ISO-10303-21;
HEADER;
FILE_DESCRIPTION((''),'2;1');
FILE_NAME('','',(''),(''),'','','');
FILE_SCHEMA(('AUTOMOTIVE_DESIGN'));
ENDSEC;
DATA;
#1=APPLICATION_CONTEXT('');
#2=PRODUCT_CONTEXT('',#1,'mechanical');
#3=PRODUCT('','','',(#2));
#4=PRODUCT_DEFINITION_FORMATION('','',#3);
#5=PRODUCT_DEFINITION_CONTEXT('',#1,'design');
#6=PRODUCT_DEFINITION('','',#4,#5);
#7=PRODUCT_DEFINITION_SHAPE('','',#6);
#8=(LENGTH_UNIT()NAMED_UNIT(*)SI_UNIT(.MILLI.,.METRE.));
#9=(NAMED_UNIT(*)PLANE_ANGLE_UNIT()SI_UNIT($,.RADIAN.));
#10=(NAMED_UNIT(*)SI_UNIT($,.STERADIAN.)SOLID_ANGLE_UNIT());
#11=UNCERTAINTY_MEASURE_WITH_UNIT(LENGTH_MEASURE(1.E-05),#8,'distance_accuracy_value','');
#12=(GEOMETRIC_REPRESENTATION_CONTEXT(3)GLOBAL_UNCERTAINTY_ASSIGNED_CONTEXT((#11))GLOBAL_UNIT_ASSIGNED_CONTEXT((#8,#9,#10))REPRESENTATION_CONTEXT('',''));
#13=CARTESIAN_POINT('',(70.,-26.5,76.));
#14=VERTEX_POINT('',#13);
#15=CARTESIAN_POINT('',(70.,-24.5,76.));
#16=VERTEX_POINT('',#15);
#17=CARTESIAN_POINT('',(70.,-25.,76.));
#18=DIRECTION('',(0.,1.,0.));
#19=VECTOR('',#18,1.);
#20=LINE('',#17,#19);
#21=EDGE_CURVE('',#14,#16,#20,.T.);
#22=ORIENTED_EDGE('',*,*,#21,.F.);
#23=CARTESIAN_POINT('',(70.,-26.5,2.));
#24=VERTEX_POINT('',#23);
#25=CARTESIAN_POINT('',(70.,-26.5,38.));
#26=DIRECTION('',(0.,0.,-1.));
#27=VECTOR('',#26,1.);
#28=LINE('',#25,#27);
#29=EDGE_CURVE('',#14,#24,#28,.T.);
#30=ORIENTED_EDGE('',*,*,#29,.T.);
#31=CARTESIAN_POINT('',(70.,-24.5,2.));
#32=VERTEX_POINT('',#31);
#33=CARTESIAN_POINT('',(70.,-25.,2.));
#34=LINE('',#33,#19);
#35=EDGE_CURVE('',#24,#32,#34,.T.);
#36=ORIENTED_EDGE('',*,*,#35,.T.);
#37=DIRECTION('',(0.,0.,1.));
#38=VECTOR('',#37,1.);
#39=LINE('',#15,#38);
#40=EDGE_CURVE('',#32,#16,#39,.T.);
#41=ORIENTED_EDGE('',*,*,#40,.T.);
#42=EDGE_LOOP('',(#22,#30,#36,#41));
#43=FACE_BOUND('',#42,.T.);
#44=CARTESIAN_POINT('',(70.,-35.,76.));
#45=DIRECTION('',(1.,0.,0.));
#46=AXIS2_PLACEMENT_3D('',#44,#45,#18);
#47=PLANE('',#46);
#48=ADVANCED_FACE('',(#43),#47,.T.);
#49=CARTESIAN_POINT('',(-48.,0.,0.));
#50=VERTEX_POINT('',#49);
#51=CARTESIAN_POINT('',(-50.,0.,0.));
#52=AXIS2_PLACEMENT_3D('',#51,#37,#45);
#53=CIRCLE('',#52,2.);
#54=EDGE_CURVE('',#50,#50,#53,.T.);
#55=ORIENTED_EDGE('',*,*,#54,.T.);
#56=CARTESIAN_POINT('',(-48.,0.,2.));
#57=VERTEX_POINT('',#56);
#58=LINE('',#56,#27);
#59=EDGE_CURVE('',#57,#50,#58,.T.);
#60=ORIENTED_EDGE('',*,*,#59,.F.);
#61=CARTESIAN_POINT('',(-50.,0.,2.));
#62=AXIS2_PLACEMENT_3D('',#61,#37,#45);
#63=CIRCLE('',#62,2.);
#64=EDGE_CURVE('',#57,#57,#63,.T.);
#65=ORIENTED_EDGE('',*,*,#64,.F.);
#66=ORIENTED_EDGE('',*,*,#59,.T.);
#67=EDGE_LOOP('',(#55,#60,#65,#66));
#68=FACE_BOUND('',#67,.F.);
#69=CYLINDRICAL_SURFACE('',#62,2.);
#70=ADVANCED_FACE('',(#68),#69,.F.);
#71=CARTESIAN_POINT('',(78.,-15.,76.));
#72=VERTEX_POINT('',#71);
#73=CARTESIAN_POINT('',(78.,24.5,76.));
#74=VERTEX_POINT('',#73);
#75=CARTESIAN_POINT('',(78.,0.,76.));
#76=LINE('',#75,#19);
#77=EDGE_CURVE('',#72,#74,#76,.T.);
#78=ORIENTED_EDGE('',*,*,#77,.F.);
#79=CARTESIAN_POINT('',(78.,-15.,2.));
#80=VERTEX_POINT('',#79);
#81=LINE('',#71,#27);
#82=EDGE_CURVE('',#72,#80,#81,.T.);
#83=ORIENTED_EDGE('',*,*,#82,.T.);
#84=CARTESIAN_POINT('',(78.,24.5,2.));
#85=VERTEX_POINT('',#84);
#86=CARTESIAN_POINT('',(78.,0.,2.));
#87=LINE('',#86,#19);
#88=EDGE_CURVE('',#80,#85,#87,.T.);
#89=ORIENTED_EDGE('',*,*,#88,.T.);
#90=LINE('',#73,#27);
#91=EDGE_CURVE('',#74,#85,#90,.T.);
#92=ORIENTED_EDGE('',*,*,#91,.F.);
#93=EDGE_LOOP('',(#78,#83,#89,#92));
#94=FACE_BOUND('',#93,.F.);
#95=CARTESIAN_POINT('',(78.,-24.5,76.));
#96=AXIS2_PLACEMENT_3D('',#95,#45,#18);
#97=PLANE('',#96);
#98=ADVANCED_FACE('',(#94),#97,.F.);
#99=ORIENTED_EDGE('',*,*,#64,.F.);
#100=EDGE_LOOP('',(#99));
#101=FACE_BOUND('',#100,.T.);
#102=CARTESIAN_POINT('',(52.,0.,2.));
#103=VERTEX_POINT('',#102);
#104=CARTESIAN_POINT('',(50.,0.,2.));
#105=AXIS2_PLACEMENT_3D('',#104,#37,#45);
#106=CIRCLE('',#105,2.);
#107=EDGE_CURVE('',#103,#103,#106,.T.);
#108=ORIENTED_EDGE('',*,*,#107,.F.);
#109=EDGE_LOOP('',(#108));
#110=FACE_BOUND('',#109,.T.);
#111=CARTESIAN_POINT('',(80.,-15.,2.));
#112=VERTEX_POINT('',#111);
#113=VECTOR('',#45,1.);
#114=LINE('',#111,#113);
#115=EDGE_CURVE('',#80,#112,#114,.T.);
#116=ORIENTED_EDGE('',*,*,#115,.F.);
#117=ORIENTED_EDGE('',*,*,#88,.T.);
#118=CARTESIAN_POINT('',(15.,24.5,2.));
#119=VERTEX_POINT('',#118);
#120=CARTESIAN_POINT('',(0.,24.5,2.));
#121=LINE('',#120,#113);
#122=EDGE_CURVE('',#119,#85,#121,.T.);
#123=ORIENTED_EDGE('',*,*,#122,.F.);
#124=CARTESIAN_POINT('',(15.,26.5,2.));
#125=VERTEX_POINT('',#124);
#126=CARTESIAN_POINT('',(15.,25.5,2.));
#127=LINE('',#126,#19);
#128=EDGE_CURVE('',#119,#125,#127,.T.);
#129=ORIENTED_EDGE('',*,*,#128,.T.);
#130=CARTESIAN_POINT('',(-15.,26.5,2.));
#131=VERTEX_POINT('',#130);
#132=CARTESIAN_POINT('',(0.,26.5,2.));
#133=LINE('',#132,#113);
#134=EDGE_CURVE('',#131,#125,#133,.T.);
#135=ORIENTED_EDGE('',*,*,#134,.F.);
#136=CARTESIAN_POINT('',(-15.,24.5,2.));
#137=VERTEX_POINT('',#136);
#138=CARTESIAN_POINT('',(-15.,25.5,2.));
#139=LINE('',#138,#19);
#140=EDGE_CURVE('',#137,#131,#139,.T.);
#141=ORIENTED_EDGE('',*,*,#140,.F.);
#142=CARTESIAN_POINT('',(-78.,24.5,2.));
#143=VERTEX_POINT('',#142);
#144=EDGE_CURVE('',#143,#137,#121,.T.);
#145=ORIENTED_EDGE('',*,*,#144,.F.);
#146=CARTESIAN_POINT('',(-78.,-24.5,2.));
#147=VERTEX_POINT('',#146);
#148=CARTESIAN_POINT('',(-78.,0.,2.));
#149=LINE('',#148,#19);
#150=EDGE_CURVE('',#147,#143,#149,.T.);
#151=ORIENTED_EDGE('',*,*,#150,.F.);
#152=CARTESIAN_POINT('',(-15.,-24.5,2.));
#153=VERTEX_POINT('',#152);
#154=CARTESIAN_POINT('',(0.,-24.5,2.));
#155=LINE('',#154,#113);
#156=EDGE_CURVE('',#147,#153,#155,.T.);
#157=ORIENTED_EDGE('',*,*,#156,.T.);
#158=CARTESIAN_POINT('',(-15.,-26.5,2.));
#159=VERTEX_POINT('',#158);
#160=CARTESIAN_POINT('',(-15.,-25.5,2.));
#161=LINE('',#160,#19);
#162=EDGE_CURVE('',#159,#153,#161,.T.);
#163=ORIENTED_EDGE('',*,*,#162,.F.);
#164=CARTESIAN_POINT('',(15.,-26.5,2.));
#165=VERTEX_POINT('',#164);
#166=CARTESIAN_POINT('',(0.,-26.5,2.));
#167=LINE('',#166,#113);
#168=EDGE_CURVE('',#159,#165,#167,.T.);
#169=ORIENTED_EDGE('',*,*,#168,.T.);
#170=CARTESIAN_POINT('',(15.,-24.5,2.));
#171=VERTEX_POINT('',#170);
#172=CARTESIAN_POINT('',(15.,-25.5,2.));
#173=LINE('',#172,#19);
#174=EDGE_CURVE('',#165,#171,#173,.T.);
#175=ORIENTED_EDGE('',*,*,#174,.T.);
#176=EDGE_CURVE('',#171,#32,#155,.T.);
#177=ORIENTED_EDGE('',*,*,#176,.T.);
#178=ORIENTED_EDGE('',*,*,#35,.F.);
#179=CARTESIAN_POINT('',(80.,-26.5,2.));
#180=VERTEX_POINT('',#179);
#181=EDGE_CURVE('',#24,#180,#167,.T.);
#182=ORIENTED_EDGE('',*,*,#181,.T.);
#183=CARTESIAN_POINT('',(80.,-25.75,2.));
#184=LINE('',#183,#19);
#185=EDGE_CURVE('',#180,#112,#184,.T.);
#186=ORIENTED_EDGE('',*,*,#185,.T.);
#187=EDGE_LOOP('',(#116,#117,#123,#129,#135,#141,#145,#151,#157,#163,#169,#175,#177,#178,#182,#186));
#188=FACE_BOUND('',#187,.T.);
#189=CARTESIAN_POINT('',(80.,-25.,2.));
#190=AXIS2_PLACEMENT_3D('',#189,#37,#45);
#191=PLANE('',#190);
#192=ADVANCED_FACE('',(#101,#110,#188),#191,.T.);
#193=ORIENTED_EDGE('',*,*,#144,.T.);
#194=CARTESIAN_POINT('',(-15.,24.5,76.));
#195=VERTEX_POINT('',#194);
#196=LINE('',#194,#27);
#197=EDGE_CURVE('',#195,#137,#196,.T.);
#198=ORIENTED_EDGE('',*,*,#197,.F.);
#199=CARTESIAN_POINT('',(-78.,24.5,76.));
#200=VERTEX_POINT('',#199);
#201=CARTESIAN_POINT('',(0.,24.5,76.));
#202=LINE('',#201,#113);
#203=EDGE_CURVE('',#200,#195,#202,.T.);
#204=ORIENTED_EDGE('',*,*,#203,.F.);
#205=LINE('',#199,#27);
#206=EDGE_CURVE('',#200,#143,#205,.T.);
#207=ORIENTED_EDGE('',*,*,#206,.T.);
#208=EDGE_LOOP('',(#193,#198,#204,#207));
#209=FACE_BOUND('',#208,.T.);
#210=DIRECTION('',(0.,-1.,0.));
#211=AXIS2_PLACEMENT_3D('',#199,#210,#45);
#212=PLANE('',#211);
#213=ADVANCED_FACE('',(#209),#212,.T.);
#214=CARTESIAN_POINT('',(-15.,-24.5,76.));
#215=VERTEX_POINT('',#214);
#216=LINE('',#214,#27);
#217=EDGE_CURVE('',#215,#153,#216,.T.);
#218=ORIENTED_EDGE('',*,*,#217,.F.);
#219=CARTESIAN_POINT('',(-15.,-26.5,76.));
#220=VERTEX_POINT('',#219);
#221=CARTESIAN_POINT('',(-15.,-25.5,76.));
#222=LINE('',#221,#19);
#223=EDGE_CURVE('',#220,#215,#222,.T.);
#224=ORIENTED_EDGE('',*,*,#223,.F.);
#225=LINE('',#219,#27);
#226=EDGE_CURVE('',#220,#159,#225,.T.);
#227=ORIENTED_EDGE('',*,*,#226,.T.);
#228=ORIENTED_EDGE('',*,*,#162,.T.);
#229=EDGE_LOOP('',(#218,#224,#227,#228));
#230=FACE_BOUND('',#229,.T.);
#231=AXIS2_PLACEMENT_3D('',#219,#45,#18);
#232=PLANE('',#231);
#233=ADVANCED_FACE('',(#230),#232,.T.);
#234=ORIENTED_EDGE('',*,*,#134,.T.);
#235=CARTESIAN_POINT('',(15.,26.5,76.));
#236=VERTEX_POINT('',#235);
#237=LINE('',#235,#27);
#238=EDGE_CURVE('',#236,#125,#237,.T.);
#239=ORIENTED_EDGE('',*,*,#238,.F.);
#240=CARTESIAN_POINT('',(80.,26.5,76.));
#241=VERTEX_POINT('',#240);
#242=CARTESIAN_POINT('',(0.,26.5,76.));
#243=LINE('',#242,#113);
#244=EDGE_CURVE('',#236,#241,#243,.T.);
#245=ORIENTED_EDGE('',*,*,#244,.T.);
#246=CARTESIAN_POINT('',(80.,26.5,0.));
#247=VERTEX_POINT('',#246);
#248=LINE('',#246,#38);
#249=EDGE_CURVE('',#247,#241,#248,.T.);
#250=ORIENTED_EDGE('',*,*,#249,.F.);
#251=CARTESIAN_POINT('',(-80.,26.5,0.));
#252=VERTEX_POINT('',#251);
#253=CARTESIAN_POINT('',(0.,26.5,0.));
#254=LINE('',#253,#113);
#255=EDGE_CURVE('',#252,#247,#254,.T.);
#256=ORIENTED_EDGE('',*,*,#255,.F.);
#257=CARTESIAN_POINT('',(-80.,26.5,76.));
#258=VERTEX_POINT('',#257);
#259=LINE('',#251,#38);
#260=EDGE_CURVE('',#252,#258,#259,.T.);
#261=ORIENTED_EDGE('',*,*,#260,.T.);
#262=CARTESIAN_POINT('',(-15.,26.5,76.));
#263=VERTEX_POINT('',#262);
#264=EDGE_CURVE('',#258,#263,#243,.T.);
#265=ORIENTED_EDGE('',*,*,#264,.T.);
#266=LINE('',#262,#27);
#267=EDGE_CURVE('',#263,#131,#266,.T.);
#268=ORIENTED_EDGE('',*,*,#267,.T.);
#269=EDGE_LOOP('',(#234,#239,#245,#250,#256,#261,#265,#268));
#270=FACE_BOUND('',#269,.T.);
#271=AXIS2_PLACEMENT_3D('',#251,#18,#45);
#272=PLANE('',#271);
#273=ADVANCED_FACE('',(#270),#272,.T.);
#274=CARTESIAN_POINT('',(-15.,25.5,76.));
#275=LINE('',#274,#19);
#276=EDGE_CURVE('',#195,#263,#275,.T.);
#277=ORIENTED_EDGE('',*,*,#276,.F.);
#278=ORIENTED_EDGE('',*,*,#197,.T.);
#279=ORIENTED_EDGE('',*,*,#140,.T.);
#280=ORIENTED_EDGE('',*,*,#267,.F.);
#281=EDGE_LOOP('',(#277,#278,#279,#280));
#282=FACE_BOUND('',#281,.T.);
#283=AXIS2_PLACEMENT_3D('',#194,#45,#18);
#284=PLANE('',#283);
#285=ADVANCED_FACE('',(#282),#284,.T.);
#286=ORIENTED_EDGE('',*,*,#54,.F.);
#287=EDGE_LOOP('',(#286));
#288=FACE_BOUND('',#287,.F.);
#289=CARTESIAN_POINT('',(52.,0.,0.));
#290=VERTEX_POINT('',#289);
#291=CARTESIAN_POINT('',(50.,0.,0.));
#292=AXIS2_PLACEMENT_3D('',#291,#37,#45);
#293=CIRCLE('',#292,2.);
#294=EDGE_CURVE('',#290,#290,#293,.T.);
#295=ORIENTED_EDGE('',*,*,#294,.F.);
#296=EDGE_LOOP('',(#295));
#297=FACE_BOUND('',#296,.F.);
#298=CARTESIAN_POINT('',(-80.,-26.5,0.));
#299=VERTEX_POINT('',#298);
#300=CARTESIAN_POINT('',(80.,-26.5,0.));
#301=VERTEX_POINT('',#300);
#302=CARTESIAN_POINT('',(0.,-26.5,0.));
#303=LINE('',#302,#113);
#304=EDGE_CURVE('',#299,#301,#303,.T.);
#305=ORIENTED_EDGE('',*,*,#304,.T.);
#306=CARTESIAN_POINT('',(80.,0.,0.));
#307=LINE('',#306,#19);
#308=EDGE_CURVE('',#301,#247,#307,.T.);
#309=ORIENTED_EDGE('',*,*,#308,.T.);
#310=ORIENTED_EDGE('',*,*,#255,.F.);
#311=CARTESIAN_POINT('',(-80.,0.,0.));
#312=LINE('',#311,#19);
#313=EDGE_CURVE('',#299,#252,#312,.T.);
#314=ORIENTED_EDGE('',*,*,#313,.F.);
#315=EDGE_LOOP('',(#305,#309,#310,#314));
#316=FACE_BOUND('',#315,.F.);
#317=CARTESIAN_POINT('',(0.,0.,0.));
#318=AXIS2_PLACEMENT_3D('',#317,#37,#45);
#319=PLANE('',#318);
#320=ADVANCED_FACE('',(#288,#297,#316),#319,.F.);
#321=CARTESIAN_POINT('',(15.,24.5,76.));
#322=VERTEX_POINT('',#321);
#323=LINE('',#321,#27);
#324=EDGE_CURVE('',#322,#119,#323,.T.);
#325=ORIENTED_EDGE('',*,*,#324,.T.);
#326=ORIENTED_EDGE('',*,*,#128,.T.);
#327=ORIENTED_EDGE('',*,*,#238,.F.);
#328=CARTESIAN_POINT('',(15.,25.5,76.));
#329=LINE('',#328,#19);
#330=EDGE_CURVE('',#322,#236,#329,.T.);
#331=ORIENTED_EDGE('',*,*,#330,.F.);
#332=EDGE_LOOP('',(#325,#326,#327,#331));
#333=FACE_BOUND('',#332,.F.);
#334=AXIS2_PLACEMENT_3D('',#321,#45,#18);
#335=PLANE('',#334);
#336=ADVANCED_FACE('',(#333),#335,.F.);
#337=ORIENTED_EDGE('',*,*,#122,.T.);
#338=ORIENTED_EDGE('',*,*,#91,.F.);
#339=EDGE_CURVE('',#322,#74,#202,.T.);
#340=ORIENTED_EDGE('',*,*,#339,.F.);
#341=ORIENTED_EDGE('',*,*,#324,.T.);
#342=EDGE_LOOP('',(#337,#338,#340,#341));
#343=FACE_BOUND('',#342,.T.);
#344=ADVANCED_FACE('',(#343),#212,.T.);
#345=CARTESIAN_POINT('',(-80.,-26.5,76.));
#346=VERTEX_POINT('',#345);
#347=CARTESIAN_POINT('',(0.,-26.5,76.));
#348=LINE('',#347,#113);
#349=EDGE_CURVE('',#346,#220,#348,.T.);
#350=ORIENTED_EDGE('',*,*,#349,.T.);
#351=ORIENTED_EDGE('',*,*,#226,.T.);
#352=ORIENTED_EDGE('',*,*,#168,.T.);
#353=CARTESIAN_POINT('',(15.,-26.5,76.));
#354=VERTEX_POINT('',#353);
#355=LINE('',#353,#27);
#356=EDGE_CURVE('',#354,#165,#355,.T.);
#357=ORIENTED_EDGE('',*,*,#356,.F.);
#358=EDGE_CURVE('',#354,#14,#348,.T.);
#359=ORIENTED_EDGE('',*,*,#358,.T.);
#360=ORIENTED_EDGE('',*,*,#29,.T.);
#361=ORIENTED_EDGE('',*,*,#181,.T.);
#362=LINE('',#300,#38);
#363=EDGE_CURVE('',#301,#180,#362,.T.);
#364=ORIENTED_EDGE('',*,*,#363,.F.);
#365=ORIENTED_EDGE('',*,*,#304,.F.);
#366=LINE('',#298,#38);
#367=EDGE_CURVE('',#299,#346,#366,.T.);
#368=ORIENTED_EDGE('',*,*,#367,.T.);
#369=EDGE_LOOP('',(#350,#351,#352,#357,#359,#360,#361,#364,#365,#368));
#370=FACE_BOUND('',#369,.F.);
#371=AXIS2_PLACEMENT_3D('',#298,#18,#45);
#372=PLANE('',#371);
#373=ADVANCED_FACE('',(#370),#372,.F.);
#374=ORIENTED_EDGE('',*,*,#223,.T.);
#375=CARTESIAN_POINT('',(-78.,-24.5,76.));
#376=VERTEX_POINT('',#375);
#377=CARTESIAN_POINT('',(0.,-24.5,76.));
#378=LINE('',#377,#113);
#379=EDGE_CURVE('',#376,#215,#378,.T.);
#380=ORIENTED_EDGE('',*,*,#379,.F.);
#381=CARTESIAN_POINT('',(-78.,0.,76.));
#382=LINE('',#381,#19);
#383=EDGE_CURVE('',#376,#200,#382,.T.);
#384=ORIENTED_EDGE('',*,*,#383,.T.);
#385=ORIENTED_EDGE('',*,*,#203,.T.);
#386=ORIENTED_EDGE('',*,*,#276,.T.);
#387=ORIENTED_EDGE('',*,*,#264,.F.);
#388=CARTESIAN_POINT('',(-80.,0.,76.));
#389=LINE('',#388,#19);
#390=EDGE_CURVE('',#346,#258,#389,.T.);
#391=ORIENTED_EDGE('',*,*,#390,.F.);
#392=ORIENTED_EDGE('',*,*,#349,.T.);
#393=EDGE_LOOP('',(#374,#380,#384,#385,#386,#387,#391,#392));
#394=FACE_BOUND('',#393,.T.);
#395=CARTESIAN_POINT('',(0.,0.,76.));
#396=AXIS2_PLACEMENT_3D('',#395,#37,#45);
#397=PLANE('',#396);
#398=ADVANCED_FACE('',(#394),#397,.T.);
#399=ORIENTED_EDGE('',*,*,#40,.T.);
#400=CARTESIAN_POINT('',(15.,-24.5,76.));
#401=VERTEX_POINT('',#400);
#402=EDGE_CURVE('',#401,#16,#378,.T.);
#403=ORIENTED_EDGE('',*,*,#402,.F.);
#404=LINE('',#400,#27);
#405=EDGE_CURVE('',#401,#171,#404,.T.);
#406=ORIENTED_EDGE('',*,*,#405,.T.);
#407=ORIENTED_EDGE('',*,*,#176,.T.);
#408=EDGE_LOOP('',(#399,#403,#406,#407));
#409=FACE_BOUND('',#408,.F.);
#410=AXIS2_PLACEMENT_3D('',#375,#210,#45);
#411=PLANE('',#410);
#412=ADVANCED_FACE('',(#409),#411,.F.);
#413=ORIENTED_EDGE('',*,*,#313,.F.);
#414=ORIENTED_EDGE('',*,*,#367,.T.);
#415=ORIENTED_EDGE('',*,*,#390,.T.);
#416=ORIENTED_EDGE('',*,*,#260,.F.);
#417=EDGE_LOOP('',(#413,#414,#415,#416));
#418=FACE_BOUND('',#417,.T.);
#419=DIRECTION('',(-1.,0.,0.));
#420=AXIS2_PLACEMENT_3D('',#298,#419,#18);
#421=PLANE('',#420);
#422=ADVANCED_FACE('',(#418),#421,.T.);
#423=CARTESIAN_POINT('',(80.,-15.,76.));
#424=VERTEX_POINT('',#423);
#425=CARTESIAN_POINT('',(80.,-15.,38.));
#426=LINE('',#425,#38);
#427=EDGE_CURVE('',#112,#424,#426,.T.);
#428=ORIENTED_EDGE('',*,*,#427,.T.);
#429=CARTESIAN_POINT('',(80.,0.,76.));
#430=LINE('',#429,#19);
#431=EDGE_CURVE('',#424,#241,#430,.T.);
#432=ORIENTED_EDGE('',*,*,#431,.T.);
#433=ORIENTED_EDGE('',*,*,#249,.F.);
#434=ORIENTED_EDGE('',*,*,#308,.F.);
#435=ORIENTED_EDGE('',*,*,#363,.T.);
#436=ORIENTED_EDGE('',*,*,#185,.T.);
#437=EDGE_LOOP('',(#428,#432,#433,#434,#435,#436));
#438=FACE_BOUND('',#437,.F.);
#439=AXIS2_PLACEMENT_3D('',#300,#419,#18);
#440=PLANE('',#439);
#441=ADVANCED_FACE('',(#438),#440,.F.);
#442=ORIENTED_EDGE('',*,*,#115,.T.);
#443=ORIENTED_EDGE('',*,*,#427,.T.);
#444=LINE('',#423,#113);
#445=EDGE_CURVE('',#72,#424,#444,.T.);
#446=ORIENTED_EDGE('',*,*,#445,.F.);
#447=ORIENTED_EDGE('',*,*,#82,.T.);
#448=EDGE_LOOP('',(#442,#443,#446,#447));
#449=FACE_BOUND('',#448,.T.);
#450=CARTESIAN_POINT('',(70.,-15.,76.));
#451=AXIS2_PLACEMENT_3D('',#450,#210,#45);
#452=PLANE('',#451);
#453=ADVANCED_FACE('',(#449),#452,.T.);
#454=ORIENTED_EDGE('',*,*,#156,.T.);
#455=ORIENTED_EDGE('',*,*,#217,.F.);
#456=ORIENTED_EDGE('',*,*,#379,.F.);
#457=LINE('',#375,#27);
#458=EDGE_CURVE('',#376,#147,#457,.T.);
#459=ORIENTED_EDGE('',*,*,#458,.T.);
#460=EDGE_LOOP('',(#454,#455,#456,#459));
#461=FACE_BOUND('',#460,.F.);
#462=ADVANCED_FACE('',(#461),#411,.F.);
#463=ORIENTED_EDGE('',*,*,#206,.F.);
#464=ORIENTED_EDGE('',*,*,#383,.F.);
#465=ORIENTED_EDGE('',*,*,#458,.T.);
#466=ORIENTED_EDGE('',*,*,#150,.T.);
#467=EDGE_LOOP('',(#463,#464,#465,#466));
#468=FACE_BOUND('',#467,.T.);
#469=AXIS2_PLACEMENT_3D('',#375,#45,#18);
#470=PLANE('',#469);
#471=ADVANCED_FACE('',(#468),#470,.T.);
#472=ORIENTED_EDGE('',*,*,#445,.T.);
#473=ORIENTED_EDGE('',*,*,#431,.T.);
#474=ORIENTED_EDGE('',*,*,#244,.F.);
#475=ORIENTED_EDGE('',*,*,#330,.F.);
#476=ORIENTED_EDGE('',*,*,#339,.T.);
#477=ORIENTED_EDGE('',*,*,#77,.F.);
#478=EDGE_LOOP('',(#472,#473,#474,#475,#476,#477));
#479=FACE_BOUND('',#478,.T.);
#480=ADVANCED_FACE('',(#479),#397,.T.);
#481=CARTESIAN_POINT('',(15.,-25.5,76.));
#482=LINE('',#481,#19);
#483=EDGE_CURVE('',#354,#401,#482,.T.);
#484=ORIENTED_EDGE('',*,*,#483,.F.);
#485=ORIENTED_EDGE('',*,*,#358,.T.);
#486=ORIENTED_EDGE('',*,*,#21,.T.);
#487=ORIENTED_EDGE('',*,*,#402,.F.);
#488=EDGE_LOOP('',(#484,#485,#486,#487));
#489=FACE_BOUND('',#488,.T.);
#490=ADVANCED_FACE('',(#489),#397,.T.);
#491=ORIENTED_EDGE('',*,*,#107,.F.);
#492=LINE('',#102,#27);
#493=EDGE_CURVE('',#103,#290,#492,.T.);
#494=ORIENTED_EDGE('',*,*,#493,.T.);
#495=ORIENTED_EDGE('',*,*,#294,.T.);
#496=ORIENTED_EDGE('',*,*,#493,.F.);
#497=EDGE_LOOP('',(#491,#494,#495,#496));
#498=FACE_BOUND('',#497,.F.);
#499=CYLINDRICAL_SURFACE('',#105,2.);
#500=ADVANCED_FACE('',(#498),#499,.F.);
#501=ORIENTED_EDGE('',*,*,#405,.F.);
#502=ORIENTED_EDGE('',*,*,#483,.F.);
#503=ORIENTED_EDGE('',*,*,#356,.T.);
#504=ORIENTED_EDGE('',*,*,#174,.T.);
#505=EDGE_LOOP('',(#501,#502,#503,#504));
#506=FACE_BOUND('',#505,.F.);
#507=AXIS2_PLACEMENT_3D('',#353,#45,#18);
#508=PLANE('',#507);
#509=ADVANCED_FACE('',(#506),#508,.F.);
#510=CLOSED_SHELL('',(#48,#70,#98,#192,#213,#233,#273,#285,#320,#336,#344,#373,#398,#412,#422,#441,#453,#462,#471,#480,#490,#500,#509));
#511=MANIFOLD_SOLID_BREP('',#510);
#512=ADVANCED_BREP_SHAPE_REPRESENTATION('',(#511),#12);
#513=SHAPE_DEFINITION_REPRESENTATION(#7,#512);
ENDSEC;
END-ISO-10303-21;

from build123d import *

# Parameters (mm, degrees)
SKETCH1_W           = 160
SKETCH1_H           = 53
BOSS_EXTRUDE1_DEPTH = 76
SKETCH2_W           = 156
SKETCH2_H           = 49
CUT_EXTRUDE1_DEPTH  = 74
CUT_EXTRUDE2_REACH  = 4
SKETCH3_R           = 2
SKETCH4_W           = 30
SKETCH4_H           = 2
SKETCH4_W_2         = 20
SKETCH4_H_2         = 20
CUT_EXTRUDE3_DEPTH  = 74


with BuildPart() as part:
    # Sketch1 → Boss-Extrude1 (new body)
    with BuildSketch(Plane.XY):
        Rectangle(SKETCH1_W, SKETCH1_H)
    extrude(amount=BOSS_EXTRUDE1_DEPTH)

    # Sketch2 → Cut-Extrude1 (cut)
    with BuildSketch(Plane.XY.offset(76)):
        Rectangle(SKETCH2_W, SKETCH2_H)
    extrude(amount=-CUT_EXTRUDE1_DEPTH, mode=Mode.SUBTRACT)

    # Sketch3 → Cut-Extrude2 (cut, up to next)
    with BuildSketch(Plane.XY.offset(2), mode=Mode.PRIVATE) as cut_extrude2_sk1:
        with Locations((50, 0)):
            Circle(SKETCH3_R)
    cut_extrude2_tool1 = extrude(cut_extrude2_sk1.sketch, amount=-CUT_EXTRUDE2_REACH, mode=Mode.PRIVATE) & part.part
    add(cut_extrude2_tool1.solids().sort_by_distance((50, 0, 2))[0], mode=Mode.SUBTRACT)
    # Sketch3 → Cut-Extrude2 (cut, up to next)
    with BuildSketch(Plane.XY.offset(2), mode=Mode.PRIVATE) as cut_extrude2_sk2:
        with Locations((-50, 0)):
            Circle(SKETCH3_R)
    cut_extrude2_tool2 = extrude(cut_extrude2_sk2.sketch, amount=-CUT_EXTRUDE2_REACH, mode=Mode.PRIVATE) & part.part
    add(cut_extrude2_tool2.solids().sort_by_distance((-50, 0, 2))[0], mode=Mode.SUBTRACT)

    # Sketch4 → Cut-Extrude3 (cut)
    with BuildSketch(Plane.XY.offset(76)):
        with Locations((0, 25.5)):
            Rectangle(SKETCH4_W, SKETCH4_H)
        with Locations((0, -25.5)):
            Rectangle(SKETCH4_W, SKETCH4_H)
        with Locations((80, -25)):
            Rectangle(SKETCH4_W_2, SKETCH4_H_2)
    extrude(amount=-CUT_EXTRUDE3_DEPTH, mode=Mode.SUBTRACT)


solid = part.part
